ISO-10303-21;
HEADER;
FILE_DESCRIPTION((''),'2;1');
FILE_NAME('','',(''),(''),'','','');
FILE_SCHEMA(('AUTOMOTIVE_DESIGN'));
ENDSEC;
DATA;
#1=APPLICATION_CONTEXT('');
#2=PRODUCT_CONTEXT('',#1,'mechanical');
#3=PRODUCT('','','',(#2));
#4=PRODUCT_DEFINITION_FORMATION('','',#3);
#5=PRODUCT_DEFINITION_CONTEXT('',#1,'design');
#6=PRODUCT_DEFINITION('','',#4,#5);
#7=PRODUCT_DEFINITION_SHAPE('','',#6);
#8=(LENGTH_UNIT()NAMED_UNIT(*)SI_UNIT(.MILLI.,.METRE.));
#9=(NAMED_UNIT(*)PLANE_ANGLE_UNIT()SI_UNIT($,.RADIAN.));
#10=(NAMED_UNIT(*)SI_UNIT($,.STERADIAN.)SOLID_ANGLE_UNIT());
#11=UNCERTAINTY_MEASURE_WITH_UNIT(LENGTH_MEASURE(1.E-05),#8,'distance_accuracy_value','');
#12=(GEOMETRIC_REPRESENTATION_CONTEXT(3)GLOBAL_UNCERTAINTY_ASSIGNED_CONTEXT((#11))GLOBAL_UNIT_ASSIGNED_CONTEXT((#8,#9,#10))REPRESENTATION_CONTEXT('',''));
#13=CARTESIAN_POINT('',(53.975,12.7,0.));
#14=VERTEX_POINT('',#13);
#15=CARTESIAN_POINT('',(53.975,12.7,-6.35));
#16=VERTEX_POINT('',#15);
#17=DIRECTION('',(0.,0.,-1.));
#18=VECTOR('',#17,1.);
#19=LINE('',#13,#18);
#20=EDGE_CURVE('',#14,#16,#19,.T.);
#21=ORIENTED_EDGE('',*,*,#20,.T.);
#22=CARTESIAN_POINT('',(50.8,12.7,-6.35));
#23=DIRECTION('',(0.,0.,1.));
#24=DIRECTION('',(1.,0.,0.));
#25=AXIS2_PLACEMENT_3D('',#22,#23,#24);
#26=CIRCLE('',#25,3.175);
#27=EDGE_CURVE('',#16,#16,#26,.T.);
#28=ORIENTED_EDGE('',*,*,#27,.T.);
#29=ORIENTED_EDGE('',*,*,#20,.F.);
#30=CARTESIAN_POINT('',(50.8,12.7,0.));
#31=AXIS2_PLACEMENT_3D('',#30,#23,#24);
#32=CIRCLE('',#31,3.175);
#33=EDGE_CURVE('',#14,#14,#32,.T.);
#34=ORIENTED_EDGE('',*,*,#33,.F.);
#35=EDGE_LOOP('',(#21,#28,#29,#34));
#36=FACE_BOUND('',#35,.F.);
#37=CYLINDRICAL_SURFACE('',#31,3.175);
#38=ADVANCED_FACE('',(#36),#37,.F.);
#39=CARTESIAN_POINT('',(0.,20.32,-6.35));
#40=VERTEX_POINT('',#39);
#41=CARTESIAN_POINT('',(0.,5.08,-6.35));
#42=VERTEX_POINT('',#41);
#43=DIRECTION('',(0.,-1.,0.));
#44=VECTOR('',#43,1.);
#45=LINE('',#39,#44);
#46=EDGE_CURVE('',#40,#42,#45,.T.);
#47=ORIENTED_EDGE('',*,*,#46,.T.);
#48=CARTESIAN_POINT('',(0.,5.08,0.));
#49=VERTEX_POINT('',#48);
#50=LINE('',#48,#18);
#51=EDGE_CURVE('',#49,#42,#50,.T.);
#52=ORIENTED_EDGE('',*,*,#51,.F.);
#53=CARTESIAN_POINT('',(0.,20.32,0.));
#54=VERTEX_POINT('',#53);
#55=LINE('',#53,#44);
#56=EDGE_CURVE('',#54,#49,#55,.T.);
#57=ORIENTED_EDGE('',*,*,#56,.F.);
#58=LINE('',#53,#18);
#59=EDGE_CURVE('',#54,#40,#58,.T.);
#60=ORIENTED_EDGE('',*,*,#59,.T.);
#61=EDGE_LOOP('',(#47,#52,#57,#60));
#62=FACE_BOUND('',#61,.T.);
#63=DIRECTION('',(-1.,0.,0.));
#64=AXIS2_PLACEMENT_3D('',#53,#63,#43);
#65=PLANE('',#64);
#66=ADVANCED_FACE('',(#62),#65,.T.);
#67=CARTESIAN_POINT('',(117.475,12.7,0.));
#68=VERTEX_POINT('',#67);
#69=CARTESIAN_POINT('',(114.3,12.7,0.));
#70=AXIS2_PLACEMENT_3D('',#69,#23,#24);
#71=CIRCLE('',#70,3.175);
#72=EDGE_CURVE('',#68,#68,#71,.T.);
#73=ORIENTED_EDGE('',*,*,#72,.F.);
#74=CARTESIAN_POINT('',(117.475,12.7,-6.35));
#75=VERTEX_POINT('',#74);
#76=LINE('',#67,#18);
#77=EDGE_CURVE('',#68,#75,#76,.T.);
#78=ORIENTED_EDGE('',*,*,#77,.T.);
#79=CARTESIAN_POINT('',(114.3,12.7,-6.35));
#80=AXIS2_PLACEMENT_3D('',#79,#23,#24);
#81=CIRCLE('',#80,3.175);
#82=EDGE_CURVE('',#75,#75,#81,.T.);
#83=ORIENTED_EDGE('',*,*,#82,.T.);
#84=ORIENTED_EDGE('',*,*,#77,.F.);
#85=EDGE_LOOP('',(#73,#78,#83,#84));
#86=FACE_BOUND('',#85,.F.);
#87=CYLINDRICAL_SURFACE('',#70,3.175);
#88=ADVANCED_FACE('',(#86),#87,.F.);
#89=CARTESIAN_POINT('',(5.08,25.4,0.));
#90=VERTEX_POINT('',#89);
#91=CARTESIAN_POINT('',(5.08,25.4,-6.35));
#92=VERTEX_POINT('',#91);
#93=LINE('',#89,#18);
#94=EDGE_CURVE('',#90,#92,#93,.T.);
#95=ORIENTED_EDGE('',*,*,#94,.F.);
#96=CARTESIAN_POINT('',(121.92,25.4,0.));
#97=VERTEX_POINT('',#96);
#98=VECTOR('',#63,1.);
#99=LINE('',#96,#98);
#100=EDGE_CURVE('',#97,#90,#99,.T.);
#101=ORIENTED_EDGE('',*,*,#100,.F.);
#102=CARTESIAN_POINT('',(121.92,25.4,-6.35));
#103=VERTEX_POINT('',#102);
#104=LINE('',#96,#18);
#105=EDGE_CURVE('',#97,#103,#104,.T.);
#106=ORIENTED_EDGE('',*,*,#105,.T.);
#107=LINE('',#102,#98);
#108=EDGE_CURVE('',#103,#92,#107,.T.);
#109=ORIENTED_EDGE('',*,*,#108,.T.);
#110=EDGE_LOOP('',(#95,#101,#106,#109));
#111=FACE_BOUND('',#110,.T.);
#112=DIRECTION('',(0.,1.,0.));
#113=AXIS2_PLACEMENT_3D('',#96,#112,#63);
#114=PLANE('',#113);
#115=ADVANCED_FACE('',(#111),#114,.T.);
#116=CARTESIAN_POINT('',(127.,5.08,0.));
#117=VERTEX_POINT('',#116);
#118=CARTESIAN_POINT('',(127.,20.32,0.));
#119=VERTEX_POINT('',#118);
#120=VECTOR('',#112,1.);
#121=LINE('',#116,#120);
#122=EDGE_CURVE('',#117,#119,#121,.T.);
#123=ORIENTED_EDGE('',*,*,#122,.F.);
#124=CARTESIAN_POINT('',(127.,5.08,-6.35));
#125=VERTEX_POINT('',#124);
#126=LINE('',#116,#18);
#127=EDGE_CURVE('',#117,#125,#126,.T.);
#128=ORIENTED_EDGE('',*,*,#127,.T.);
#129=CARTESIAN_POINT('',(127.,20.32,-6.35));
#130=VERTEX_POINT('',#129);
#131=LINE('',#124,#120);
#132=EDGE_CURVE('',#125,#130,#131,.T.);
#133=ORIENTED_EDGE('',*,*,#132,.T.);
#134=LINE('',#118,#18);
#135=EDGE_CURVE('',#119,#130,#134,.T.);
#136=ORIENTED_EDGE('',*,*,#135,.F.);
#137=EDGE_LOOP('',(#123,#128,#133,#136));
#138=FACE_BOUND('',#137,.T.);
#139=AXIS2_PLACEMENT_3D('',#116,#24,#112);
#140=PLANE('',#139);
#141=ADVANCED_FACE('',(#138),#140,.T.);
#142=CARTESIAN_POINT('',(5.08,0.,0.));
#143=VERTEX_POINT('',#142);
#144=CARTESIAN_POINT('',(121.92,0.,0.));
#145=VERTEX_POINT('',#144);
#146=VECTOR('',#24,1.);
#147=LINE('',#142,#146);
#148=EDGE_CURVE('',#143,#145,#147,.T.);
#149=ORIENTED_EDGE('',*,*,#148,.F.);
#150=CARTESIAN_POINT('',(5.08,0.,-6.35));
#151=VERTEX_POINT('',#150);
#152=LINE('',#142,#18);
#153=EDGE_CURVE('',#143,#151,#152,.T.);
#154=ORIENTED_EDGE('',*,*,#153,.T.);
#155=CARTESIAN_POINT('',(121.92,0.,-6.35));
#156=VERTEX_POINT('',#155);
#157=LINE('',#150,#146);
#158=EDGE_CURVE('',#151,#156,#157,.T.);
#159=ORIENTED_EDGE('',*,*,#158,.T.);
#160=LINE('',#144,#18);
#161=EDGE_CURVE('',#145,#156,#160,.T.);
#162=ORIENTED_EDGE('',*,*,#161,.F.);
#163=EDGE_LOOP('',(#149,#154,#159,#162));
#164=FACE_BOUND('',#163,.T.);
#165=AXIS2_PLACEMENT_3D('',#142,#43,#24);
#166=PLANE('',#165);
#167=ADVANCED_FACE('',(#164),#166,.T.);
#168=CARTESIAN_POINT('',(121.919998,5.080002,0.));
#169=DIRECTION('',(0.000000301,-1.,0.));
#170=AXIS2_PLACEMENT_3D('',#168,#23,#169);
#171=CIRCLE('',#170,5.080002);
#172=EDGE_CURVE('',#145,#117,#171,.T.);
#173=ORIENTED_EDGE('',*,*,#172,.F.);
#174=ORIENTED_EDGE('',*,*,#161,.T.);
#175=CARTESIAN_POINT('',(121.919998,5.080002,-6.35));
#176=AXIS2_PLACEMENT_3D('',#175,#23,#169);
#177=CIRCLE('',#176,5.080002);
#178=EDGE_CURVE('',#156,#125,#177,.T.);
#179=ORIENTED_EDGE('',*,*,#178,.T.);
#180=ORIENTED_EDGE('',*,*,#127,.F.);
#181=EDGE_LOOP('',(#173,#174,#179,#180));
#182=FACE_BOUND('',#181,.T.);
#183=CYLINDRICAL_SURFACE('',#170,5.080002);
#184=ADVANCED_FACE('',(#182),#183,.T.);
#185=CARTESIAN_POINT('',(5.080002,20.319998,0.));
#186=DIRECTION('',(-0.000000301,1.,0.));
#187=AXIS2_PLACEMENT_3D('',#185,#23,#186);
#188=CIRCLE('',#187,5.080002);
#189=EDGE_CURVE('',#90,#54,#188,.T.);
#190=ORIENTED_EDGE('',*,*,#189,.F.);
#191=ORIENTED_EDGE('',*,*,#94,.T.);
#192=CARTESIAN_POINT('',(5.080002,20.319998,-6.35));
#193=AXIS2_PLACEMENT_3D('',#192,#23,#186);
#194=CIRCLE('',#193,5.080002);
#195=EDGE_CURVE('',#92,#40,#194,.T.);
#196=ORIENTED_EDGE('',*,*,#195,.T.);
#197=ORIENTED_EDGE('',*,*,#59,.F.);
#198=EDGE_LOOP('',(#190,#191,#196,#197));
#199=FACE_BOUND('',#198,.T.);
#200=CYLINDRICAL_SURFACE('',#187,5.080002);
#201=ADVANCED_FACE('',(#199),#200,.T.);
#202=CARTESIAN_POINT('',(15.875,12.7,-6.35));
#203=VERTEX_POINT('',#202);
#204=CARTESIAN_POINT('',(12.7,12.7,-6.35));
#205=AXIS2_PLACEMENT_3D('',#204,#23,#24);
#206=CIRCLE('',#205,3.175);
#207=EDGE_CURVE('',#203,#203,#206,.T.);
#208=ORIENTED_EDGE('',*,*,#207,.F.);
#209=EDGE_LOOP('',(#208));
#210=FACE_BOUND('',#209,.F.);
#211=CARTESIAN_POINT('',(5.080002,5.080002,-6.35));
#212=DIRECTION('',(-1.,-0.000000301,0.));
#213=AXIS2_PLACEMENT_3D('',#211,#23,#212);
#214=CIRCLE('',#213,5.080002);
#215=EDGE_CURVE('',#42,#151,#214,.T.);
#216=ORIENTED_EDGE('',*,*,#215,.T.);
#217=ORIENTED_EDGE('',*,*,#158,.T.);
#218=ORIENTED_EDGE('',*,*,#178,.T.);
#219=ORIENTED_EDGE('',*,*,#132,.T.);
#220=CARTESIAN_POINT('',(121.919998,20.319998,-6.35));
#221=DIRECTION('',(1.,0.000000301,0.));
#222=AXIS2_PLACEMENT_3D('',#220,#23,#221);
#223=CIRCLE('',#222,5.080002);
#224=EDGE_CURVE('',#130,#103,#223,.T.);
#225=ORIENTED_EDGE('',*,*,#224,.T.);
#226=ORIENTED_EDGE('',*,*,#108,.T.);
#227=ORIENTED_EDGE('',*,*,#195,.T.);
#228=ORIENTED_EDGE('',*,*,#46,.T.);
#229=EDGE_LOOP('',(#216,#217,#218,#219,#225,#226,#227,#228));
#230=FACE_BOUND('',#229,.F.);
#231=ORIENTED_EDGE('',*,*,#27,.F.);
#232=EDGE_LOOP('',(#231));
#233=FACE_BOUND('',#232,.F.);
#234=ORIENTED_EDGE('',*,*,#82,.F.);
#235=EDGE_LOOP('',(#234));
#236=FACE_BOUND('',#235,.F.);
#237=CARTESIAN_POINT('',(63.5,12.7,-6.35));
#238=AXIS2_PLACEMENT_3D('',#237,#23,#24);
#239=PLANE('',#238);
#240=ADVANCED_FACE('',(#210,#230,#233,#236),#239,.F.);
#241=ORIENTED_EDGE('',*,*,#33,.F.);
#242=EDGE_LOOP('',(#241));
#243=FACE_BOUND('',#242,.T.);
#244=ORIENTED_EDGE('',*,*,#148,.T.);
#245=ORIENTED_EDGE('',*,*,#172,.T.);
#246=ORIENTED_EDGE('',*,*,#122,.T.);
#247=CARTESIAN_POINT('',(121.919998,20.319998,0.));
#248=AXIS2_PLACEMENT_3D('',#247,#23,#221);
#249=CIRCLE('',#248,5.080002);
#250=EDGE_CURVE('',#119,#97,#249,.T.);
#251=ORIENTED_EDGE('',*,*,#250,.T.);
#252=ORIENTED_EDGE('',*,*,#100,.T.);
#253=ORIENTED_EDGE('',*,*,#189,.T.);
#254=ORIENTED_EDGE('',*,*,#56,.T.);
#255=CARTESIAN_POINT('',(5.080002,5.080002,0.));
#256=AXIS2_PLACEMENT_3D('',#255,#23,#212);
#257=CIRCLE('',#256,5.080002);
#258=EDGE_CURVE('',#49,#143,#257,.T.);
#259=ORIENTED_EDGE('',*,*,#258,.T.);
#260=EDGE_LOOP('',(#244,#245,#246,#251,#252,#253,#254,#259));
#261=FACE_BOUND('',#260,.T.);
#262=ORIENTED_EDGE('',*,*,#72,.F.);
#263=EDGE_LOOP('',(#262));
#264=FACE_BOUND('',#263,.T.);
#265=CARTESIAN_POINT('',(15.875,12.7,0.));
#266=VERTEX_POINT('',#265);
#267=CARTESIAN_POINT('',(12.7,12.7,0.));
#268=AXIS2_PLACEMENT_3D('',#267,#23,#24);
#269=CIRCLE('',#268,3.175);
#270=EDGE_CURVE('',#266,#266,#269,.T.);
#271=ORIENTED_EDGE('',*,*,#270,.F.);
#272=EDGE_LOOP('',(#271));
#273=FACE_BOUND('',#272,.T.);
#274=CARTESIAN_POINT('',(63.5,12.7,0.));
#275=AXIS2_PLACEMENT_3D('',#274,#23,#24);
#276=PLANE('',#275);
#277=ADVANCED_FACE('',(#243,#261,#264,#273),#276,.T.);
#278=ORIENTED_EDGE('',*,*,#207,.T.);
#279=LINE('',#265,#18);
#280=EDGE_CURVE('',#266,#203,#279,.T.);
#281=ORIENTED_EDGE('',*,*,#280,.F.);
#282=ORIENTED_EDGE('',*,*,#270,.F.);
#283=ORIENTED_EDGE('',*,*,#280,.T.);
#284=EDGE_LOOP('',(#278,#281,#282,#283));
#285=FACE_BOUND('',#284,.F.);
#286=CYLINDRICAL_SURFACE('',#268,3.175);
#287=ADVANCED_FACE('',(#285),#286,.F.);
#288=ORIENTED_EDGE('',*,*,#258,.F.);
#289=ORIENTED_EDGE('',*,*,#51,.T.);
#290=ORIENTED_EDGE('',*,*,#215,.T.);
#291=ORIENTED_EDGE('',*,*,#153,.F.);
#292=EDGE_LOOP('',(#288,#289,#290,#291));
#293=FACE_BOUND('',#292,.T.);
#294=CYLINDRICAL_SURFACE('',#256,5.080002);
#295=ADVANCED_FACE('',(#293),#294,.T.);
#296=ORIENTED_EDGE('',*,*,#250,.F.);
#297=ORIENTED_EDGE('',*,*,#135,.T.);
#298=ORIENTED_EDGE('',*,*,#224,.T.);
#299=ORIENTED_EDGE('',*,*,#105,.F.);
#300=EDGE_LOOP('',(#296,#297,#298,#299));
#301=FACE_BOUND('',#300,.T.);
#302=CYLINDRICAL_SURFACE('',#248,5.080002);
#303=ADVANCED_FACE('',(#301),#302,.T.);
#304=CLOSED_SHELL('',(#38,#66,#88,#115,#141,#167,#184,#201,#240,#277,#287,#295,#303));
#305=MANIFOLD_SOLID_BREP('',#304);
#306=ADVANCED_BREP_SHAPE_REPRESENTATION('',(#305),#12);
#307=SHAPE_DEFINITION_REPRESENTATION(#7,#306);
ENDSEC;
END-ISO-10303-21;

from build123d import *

# Parameters (mm, degrees)
F0_R     = 3.175
F1_DEPTH = 6.35


with BuildPart() as f1:
    # F0 (on Top) → F1 (new body)
    with BuildSketch(Plane.XY):
        with BuildLine():
            ThreePointArc((0, 5.08), (1.487898, 1.487898), (5.08, 0))
            Line((5.08, 0), (121.92, 0))
            ThreePointArc((121.92, 0), (125.512102, 1.487898), (127, 5.08))
            Line((127, 5.08), (127, 20.32))
            ThreePointArc((127, 20.32), (125.512102, 23.912102), (121.92, 25.4))
            Line((121.92, 25.4), (5.08, 25.4))
            ThreePointArc((5.08, 25.4), (1.487898, 23.912102), (0, 20.32))
            Line((0, 20.32), (0, 5.08))
        make_face()
        with Locations((12.7, 12.7)):
            Circle(F0_R, mode=Mode.SUBTRACT)
        with Locations((50.8, 12.7)):
            Circle(F0_R, mode=Mode.SUBTRACT)
        with Locations((114.3, 12.7)):
            Circle(F0_R, mode=Mode.SUBTRACT)
    extrude(amount=-F1_DEPTH)


solid = f1.part
